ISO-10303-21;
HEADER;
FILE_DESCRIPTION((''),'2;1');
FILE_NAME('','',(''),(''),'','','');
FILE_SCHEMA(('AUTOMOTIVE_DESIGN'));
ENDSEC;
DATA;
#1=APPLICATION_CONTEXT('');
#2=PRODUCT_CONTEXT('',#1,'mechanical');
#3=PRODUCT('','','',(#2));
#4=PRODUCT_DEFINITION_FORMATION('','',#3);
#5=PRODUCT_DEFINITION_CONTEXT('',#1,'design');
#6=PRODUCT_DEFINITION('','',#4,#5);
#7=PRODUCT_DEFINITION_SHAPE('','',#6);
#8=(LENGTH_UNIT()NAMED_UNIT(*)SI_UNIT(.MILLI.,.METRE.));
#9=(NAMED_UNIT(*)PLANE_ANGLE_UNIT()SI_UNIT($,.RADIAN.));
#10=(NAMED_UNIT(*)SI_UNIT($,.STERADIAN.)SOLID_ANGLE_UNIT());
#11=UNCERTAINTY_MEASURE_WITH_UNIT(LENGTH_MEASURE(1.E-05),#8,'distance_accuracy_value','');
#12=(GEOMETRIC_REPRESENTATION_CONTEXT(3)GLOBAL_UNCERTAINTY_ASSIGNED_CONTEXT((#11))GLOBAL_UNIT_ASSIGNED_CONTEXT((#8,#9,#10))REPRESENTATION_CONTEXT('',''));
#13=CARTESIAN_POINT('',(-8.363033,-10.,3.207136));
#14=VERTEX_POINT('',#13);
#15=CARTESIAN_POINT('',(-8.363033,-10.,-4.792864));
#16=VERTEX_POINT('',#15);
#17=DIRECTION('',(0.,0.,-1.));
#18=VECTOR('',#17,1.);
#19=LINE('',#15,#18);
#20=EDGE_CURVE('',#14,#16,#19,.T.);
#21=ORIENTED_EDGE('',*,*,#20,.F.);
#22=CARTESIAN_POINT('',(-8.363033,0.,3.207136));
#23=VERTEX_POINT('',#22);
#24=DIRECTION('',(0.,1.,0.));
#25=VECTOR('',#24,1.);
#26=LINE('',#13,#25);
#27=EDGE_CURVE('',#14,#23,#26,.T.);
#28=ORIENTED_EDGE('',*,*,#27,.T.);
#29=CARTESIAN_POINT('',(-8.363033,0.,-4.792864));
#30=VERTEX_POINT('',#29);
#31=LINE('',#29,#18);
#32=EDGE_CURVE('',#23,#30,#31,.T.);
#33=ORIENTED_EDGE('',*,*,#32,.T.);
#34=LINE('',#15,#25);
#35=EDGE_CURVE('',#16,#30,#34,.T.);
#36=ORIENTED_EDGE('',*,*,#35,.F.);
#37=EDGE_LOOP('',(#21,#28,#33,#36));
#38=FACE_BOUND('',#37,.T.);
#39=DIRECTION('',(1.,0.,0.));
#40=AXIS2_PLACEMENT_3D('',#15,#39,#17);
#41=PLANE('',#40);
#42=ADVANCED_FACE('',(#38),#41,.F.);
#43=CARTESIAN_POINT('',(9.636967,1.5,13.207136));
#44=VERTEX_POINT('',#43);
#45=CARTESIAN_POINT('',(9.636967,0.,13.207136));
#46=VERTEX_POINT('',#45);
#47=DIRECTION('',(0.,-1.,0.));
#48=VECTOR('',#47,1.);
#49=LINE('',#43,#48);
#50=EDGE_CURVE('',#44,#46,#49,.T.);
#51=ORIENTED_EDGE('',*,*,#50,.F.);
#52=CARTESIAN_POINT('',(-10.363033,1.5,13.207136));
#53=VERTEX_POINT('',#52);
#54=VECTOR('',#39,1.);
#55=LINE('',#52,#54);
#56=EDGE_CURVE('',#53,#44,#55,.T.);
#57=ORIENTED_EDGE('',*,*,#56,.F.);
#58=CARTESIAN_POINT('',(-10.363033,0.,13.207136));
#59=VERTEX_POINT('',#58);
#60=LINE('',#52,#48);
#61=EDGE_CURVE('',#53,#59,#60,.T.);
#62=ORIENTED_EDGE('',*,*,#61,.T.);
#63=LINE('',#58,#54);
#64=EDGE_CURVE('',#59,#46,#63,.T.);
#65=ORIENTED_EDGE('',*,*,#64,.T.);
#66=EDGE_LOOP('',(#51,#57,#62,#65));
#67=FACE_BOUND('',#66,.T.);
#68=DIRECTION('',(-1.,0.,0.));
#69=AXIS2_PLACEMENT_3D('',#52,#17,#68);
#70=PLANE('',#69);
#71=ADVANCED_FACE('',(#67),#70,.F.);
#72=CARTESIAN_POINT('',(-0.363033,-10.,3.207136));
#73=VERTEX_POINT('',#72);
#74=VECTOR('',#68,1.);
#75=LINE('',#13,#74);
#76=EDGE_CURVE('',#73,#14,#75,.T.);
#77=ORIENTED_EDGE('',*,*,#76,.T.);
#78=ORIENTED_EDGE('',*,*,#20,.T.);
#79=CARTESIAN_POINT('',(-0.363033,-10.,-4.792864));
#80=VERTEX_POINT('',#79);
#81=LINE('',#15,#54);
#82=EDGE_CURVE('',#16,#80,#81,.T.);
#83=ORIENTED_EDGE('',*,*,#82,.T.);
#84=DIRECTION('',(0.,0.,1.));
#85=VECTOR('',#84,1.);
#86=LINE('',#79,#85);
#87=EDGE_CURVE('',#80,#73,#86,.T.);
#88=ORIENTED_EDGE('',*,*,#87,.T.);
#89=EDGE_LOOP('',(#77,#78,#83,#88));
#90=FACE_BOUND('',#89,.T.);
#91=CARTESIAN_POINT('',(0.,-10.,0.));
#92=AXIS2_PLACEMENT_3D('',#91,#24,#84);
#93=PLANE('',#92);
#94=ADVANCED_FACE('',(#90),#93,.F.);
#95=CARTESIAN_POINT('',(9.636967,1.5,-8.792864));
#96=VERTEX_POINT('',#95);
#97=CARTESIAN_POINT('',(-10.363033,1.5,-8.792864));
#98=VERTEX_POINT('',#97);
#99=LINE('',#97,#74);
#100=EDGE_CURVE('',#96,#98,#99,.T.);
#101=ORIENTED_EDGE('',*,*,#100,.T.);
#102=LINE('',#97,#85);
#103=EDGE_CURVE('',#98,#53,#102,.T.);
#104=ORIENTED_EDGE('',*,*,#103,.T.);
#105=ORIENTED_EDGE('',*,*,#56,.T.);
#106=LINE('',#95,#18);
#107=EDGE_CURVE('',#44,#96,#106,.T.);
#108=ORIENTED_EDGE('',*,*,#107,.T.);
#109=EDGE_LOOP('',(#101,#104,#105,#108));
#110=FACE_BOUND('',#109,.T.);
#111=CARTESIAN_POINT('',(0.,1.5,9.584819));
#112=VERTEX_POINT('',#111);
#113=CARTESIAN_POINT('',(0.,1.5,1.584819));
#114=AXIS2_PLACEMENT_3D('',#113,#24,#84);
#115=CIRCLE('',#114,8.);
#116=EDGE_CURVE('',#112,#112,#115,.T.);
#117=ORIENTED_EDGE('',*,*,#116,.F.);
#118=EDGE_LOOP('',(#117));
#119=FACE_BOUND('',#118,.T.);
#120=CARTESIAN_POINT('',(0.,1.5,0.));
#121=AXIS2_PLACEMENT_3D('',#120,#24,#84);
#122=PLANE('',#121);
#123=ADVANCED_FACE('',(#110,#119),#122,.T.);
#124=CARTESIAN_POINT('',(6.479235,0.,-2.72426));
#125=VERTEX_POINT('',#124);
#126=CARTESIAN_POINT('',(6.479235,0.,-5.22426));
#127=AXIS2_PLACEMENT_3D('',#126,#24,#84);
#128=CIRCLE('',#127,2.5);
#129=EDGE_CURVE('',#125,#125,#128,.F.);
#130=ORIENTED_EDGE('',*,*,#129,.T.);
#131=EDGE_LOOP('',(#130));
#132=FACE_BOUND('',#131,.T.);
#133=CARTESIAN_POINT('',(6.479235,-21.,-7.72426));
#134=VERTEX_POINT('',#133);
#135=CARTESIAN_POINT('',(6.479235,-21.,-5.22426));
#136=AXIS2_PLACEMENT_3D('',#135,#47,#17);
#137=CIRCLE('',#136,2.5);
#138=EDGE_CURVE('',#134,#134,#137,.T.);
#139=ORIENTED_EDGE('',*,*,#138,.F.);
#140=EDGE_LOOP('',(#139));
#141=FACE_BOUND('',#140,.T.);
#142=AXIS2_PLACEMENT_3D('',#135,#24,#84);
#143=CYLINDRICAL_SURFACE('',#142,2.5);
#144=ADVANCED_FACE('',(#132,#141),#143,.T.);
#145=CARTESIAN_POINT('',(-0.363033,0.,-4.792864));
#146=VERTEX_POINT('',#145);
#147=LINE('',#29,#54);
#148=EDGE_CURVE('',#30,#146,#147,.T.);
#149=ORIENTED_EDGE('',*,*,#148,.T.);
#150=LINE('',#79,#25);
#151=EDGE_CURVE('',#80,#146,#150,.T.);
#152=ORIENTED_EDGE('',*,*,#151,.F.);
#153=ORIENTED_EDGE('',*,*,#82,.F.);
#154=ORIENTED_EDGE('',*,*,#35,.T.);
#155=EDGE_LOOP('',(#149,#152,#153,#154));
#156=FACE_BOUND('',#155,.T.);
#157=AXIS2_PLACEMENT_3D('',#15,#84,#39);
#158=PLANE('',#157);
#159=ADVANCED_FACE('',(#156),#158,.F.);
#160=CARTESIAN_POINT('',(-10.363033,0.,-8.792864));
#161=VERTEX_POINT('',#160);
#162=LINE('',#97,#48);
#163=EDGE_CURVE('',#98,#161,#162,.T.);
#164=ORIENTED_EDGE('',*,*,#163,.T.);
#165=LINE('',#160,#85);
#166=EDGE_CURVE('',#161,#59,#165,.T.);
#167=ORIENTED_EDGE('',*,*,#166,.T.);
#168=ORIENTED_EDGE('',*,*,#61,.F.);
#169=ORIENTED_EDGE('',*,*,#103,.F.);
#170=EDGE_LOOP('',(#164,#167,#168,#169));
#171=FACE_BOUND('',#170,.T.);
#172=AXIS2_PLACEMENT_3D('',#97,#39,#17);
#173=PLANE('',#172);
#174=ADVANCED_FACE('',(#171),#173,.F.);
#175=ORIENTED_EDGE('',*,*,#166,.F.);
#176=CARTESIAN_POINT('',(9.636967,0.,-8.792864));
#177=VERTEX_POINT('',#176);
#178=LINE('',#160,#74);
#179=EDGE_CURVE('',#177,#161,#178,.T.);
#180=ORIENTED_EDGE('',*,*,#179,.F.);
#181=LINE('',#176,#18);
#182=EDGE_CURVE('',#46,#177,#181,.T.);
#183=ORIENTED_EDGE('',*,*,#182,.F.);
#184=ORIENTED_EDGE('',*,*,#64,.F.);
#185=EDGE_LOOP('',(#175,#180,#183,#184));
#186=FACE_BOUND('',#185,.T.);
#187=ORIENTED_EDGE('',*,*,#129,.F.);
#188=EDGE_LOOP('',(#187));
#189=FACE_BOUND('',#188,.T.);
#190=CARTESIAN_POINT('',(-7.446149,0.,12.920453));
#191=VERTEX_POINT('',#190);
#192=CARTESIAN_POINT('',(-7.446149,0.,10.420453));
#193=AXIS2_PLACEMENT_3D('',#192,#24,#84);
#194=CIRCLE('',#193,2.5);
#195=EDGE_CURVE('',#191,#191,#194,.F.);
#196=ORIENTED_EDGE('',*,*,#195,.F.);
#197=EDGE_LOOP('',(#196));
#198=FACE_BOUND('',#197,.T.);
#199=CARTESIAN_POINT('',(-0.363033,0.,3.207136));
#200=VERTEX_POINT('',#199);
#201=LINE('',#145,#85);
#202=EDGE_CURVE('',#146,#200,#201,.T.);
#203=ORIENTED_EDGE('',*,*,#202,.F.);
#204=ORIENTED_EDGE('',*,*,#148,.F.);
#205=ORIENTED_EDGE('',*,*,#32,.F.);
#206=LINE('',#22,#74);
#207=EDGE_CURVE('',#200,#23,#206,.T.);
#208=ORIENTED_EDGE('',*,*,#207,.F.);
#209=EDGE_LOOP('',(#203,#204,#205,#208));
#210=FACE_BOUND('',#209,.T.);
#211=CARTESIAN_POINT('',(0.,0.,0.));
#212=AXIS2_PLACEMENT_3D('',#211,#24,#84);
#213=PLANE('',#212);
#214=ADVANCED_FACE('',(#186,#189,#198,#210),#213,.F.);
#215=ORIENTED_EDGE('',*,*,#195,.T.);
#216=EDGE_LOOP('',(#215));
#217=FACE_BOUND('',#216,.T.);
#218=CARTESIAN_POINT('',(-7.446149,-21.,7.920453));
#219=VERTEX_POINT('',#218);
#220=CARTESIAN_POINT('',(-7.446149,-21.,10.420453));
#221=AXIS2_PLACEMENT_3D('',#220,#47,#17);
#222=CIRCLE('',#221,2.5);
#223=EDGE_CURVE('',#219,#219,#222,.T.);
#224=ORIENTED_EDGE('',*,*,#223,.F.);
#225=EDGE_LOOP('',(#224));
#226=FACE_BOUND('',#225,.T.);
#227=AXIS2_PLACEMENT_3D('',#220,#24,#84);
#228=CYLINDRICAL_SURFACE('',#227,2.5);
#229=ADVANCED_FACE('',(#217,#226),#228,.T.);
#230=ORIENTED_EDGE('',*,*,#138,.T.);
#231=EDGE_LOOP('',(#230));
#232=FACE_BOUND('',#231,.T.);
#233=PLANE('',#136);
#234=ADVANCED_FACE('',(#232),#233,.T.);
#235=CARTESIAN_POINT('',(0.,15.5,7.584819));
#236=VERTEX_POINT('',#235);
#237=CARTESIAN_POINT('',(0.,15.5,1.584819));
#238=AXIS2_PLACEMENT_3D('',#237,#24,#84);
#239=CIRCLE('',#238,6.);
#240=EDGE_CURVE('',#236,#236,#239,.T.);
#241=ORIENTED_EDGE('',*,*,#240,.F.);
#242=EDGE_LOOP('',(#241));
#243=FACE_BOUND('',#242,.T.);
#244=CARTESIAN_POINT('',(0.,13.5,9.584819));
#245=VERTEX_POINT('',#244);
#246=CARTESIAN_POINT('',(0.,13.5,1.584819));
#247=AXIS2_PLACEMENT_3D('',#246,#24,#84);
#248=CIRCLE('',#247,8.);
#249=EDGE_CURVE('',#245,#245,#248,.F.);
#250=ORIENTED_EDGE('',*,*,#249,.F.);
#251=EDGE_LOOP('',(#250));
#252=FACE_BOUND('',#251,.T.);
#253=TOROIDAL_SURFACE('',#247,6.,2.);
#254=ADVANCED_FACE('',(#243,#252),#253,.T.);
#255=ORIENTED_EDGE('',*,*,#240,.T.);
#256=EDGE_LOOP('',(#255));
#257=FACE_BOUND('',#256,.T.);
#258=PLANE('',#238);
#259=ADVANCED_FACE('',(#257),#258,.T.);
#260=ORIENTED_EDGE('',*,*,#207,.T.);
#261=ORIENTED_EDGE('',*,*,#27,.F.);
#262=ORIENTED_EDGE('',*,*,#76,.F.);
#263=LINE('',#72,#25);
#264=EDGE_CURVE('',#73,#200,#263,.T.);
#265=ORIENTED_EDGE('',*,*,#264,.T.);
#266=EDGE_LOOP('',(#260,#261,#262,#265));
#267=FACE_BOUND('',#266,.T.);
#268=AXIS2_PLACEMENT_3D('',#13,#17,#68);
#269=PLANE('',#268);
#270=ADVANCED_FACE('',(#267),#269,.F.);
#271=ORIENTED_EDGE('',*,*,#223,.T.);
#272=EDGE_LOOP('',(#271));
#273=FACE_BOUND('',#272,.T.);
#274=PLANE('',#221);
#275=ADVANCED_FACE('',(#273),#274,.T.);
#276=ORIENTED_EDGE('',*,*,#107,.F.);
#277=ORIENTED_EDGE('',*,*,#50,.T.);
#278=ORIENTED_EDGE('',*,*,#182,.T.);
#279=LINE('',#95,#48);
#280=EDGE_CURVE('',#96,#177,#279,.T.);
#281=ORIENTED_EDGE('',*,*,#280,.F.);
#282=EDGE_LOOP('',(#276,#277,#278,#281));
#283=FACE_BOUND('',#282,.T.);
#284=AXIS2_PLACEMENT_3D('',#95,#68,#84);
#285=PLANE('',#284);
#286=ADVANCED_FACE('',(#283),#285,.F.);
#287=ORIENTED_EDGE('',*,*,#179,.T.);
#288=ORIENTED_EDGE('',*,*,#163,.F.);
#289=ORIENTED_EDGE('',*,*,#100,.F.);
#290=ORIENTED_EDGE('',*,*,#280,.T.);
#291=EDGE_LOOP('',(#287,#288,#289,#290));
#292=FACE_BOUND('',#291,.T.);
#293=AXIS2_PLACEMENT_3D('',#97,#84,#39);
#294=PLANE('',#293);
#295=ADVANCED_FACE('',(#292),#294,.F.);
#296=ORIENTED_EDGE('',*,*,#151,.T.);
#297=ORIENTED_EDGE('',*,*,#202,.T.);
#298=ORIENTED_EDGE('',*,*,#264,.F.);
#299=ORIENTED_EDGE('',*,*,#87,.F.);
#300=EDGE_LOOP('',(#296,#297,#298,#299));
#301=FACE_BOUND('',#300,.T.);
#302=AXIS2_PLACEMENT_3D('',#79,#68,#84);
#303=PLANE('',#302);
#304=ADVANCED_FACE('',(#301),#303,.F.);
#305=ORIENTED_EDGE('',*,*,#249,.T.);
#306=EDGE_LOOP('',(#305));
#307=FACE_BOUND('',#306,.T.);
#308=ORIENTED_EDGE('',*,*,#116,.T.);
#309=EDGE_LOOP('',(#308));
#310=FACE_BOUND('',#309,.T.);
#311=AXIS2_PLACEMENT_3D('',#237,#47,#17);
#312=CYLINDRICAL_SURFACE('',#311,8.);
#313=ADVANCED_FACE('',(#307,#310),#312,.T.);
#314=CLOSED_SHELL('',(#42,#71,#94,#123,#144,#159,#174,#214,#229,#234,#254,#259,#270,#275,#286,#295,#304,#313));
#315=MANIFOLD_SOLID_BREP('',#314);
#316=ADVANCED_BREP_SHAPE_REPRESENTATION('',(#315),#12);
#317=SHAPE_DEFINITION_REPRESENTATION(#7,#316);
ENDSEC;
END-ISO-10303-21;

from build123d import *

# Parameters (mm, degrees)
ESBO_O1_W                = 20
ESBO_O1_H                = 22
RESSALTO_EXTRUS_O1_DEPTH = 1.5
ESBO_O2_R                = 8
RESSALTO_EXTRUS_O2_DEPTH = 14
FILETE1_R                = 2
ESBO_O3_R                = 2.5
RESSALTO_EXTRUS_O3_DEPTH = 21
ESBO_O4_W                = 8
ESBO_O4_H                = 8
RESSALTO_EXTRUS_O4_DEPTH = 10


with BuildPart() as part:
    # Esboço1 → Ressalto-extrusão1 (new body)
    with BuildSketch(Plane(origin=(0, 0, 0), x_dir=(1, 0, 0), z_dir=(0, 1, 0))):
        with Locations((-0.363033398, -2.207136461)):
            Rectangle(ESBO_O1_W, ESBO_O1_H)
    extrude(amount=RESSALTO_EXTRUS_O1_DEPTH)

    # Esboço2 → Ressalto-extrusão2 (add)
    with BuildSketch(Plane(origin=(0, 1.5, 0), x_dir=(1, 0, 0), z_dir=(0, 1, 0))):
        with Locations((0, -1.584818961)):
            Circle(ESBO_O2_R)
    extrude(amount=RESSALTO_EXTRUS_O2_DEPTH)

    # Filete1
    filete1_edges = [part.edges().sort_by_distance(p)[0] for p in [
        (-8, 15.5, 1.584818961),
    ]]
    fillet(filete1_edges, radius=FILETE1_R)

    # Esboço3 → Ressalto-extrusão3 (add)
    with BuildSketch(Plane(origin=(0, 0, 0), x_dir=(-1, 0, 0), z_dir=(0, -1, 0))):
        with Locations((7.446149428, -10.420452969)):
            Circle(ESBO_O3_R)
        with Locations((-6.479235285, 5.224259997)):
            Circle(ESBO_O3_R)
    extrude(amount=RESSALTO_EXTRUS_O3_DEPTH)

    # Esboço4 → Ressalto-extrusão4 (add)
    with BuildSketch(Plane(origin=(0, 0, 0), x_dir=(-1, 0, 0), z_dir=(0, -1, 0))):
        with Locations((4.363033398, 0.792863539)):
            Rectangle(ESBO_O4_W, ESBO_O4_H)
    extrude(amount=RESSALTO_EXTRUS_O4_DEPTH)


solid = part.part
